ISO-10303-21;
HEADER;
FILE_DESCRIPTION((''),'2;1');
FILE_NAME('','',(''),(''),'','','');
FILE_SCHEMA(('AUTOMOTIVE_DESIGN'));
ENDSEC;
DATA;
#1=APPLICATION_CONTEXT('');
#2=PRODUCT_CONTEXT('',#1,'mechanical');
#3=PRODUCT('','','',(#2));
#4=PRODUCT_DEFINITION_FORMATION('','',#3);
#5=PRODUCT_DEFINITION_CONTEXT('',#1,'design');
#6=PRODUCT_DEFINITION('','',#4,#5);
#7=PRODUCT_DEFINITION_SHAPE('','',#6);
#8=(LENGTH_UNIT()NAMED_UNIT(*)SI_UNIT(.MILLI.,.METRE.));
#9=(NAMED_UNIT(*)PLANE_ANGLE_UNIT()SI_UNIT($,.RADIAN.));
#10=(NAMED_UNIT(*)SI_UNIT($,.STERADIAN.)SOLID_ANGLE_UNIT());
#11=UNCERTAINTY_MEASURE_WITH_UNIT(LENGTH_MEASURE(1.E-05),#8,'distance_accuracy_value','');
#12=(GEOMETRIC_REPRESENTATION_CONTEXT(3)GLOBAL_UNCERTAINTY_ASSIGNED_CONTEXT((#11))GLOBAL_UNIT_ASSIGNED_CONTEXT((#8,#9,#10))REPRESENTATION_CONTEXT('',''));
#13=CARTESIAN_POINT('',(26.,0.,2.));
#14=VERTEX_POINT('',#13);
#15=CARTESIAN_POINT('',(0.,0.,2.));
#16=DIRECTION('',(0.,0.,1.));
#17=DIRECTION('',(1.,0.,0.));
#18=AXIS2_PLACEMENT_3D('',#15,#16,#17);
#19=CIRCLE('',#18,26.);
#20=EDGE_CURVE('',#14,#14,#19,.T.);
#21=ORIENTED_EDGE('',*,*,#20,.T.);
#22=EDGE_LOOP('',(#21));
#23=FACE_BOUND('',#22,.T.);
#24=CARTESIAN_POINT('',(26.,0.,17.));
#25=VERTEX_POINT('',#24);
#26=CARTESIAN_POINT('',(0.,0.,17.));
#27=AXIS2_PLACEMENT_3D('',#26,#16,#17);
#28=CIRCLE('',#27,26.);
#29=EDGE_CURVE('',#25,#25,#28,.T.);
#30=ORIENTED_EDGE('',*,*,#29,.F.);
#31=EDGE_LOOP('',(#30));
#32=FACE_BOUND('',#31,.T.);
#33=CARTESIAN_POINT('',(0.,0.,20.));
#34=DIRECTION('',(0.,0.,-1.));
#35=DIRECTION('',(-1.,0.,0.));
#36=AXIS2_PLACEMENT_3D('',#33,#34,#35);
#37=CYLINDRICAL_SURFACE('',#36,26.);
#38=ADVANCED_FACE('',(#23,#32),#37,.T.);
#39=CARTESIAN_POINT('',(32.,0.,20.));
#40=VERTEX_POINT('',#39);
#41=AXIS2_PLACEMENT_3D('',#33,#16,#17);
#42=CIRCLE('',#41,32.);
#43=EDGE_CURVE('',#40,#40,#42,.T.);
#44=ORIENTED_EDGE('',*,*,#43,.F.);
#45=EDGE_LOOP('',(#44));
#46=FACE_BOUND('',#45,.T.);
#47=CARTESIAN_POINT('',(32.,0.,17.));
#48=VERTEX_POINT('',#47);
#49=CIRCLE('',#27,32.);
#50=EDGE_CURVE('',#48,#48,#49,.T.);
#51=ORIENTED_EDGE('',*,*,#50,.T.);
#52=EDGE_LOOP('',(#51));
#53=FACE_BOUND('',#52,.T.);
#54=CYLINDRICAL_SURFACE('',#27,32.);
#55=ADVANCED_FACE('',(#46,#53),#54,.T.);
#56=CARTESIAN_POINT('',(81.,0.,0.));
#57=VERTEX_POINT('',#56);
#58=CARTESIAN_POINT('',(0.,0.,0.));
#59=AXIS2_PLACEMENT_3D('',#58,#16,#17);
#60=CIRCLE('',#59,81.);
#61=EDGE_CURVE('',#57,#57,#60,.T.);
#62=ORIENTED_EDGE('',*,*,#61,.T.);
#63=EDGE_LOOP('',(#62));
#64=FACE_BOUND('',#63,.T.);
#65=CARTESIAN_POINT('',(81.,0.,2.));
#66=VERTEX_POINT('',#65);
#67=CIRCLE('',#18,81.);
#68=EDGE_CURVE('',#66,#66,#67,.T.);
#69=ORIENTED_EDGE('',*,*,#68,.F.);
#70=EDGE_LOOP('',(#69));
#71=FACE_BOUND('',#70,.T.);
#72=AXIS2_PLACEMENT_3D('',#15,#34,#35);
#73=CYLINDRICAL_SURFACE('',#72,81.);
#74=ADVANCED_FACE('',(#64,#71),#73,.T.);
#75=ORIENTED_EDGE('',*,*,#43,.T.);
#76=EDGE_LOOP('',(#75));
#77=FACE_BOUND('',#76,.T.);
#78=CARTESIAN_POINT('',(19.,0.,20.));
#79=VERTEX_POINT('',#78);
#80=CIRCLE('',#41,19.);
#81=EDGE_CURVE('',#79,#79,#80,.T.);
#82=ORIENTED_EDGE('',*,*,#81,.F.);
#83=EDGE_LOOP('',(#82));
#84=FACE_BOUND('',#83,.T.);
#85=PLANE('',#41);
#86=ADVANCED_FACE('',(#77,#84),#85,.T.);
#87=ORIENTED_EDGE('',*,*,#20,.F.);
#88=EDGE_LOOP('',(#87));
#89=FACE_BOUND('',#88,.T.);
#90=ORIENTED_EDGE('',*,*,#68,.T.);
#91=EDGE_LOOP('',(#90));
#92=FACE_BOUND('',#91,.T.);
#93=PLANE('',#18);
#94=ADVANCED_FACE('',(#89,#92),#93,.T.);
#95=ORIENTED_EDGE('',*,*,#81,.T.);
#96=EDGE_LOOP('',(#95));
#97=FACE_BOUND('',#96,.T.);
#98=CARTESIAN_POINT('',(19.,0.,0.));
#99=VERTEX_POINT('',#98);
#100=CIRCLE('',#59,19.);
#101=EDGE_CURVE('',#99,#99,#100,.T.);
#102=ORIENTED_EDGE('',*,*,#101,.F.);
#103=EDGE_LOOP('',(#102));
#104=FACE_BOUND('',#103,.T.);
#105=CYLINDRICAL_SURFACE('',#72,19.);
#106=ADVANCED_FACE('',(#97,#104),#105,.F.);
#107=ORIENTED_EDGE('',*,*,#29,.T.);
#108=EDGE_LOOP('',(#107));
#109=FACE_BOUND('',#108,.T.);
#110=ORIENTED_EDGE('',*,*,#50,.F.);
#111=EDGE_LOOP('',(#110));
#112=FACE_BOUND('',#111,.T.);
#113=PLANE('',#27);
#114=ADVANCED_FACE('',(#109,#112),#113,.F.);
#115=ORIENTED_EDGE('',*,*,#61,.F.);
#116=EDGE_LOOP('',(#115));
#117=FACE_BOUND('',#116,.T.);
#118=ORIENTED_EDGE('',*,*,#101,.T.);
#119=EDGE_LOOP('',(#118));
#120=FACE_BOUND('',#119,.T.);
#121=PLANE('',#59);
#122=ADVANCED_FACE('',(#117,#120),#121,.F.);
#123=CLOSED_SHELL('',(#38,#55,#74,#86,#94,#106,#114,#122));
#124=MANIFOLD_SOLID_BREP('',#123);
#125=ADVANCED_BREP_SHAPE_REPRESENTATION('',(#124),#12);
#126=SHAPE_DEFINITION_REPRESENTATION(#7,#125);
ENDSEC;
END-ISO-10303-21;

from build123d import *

# Parameters (mm, degrees)
SKETCH1_R           = 81
SKETCH1_R_2         = 19
BOSS_EXTRUDE1_DEPTH = 2
SKETCH2_R           = 26
SKETCH2_R_2         = 19
BOSS_EXTRUDE2_DEPTH = 18
BOSS_EXTRUDE3_START = -3
SKETCH3_R           = 32
SKETCH3_R_2         = 26
BOSS_EXTRUDE3_DEPTH = 3


with BuildPart() as part:
    # Sketch1 → Boss-Extrude1 (new body)
    with BuildSketch(Plane.XY):
        Circle(SKETCH1_R)
        Circle(SKETCH1_R_2, mode=Mode.SUBTRACT)
    extrude(amount=BOSS_EXTRUDE1_DEPTH)

    # Sketch2 → Boss-Extrude2 (add)
    with BuildSketch(Plane.XY.offset(2)):
        Circle(SKETCH2_R)
        Circle(SKETCH2_R_2, mode=Mode.SUBTRACT)
    extrude(amount=BOSS_EXTRUDE2_DEPTH)

    # Sketch3 → Boss-Extrude3 (add)
    with BuildSketch(Plane.XY.offset(20).offset(BOSS_EXTRUDE3_START)):
        Circle(SKETCH3_R)
        Circle(SKETCH3_R_2, mode=Mode.SUBTRACT)
    extrude(amount=BOSS_EXTRUDE3_DEPTH)


solid = part.part
